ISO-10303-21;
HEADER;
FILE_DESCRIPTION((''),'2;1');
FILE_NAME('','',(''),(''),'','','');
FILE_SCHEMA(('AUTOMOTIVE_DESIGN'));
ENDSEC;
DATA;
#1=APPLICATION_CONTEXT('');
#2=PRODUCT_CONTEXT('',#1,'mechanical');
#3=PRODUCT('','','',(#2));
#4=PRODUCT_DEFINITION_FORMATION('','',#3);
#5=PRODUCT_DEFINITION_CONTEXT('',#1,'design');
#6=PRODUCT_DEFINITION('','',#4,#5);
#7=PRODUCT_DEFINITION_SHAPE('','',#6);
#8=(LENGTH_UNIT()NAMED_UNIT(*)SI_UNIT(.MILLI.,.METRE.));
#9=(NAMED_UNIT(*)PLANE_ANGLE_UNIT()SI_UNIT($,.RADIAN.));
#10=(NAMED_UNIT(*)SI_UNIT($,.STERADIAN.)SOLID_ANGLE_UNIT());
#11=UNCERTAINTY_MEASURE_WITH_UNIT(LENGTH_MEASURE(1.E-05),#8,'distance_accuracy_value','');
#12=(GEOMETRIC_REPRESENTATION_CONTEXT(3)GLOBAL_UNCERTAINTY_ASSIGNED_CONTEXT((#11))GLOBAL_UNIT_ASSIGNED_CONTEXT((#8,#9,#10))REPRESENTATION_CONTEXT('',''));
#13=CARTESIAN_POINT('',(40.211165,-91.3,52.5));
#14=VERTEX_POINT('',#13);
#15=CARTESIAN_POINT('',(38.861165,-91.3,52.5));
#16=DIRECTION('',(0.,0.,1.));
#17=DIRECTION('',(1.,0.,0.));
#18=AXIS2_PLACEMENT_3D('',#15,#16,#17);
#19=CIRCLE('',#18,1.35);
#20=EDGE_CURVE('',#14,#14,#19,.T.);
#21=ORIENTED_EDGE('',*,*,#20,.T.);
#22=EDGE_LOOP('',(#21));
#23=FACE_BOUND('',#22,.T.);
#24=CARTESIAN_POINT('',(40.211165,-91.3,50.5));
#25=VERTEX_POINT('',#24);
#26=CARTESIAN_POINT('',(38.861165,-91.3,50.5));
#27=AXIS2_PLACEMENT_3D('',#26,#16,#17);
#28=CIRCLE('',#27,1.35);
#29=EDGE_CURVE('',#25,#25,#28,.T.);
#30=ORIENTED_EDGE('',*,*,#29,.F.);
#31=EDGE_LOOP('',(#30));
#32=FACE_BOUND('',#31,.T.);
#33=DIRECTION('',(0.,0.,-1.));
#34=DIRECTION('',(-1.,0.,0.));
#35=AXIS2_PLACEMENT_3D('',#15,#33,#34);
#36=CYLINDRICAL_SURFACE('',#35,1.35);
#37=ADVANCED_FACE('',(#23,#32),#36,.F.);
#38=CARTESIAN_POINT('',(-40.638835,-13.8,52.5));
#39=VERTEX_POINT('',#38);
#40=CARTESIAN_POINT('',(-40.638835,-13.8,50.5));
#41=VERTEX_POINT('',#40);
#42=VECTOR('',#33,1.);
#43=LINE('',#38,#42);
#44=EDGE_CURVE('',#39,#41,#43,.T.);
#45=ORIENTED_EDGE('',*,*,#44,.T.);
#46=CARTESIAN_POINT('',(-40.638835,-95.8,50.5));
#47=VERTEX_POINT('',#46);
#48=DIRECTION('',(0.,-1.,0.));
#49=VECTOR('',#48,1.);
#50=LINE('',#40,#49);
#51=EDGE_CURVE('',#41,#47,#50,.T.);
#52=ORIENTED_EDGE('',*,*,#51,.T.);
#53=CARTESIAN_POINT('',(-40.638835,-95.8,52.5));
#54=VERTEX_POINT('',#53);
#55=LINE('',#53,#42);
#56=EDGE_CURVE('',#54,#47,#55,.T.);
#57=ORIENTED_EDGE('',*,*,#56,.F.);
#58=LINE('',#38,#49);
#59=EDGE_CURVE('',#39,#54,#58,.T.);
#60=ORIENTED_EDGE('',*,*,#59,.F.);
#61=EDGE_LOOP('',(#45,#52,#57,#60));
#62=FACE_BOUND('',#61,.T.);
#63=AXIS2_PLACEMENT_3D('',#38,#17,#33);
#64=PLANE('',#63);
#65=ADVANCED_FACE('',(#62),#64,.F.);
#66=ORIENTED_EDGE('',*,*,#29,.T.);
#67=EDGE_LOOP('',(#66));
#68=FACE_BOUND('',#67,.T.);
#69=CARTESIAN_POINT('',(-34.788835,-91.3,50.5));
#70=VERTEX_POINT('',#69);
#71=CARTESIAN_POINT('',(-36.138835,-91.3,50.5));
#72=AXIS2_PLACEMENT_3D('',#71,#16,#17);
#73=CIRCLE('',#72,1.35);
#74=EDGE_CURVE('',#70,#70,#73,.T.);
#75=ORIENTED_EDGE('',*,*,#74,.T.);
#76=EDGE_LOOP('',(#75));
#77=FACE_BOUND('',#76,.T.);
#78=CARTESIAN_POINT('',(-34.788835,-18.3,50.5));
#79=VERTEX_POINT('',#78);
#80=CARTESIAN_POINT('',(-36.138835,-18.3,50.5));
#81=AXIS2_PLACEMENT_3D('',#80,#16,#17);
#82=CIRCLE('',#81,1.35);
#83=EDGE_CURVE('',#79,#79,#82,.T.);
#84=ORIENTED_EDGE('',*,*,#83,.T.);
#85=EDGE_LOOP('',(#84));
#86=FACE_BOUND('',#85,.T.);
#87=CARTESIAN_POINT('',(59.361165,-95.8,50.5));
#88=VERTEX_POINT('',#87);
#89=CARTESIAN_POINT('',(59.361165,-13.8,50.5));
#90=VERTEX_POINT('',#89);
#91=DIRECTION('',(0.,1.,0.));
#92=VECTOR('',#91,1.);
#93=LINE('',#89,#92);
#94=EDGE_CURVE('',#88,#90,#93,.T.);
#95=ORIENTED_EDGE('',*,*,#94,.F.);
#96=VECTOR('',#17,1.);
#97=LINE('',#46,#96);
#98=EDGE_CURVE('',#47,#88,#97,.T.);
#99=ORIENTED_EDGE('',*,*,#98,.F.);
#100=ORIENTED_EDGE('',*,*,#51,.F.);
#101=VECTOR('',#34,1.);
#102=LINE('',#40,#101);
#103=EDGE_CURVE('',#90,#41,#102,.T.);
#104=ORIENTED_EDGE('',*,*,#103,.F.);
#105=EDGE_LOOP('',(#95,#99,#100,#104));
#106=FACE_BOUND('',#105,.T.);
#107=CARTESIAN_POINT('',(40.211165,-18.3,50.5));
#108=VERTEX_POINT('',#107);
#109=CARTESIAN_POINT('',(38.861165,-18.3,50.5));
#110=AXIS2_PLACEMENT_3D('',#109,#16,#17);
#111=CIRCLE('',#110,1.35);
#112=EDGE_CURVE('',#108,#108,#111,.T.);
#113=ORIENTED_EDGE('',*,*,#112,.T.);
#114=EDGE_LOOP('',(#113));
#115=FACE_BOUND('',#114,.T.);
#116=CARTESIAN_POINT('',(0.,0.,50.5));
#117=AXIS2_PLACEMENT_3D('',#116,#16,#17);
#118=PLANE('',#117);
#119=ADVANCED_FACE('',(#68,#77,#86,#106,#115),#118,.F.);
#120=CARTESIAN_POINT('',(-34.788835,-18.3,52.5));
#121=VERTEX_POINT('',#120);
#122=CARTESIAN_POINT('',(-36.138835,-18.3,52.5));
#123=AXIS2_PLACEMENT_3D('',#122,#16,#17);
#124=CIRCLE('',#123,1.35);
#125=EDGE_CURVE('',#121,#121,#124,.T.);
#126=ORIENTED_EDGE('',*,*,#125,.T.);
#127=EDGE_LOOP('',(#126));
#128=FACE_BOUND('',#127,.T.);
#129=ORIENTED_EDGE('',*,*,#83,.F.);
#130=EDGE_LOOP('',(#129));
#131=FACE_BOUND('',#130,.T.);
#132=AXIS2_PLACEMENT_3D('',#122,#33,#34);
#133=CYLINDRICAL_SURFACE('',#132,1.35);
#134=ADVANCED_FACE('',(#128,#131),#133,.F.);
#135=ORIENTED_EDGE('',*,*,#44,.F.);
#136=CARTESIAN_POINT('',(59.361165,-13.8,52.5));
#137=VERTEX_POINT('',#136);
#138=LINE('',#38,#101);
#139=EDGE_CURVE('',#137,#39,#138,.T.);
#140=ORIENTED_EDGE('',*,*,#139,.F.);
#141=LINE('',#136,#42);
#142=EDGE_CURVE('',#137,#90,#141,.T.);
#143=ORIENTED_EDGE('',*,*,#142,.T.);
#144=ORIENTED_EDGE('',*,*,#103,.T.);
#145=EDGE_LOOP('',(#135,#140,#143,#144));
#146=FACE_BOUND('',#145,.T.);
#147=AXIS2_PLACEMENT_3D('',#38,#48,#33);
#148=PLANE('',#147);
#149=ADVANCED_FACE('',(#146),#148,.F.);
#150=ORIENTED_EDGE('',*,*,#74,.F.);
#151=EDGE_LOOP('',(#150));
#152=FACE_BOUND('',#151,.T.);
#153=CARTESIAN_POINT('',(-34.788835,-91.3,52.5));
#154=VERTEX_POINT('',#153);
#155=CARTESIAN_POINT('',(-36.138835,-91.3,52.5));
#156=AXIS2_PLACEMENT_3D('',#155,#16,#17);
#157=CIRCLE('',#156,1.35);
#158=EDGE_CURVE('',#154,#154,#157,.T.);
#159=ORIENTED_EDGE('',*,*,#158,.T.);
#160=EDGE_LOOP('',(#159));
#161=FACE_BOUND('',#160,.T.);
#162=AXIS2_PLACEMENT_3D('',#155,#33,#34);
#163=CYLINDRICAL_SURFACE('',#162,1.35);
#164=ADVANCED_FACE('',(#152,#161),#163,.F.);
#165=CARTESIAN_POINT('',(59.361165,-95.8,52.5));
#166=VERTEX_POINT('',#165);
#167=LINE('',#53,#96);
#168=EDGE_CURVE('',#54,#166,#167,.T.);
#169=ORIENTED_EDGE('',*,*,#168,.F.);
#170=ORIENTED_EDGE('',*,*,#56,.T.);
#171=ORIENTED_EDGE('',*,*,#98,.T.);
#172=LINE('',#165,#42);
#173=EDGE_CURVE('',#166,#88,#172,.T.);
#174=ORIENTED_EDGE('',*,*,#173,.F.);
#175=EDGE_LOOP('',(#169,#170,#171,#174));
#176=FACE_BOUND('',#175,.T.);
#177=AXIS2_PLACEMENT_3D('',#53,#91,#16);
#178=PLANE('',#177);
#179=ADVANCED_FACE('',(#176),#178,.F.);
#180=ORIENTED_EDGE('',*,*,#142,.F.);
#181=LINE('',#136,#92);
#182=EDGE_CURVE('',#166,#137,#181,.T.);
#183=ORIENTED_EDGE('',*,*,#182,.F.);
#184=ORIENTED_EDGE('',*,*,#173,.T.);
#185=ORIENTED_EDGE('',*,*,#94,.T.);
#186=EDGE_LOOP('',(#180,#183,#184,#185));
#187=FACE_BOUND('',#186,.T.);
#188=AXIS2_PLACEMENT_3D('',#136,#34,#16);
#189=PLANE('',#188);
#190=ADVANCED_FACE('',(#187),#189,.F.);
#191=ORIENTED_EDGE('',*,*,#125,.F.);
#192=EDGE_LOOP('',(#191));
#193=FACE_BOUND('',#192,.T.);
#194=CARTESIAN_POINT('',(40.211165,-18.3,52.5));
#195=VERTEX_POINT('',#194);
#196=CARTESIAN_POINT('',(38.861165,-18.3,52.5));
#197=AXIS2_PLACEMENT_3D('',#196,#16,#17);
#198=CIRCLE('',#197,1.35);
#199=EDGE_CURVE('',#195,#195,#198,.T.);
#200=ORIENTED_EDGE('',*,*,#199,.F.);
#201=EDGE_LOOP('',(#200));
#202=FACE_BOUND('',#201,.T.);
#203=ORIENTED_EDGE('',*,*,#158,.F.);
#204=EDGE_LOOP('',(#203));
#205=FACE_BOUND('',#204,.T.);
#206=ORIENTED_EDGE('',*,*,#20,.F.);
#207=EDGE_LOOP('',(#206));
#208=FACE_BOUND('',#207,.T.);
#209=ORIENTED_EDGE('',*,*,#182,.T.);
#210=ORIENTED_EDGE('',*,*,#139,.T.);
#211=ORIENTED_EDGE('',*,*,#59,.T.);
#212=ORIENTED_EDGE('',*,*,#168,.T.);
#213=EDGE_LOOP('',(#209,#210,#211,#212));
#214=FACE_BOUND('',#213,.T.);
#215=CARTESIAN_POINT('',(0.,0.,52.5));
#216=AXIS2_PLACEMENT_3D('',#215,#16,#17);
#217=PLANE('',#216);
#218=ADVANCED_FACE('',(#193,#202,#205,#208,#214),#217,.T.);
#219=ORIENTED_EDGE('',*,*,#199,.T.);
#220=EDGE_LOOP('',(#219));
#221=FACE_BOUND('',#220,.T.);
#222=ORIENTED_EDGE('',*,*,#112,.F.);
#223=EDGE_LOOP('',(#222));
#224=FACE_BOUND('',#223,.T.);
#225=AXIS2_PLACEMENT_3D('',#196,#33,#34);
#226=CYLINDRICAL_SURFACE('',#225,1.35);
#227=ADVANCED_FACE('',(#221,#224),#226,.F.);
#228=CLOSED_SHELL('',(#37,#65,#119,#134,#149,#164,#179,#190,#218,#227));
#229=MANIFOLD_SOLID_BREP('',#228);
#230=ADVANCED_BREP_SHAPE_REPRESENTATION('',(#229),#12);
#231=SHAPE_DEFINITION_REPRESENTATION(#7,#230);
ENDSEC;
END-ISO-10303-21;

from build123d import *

# Parameters (mm, degrees)
ESQUISSE1_W        = 100
ESQUISSE1_H        = 82
ESQUISSE1_R        = 1.35
BOSS_EXTRU_1_DEPTH = 2


with BuildPart() as part:
    # Esquisse1 → Boss.-Extru.1 (new body)
    with BuildSketch(Plane.XY.offset(50.5)):
        with Locations((9.361165235, -54.8)):
            Rectangle(ESQUISSE1_W, ESQUISSE1_H)
        with Locations((-36.138834765, -91.3)):
            Circle(ESQUISSE1_R, mode=Mode.SUBTRACT)
        with Locations((-36.138834765, -18.3)):
            Circle(ESQUISSE1_R, mode=Mode.SUBTRACT)
        with Locations((38.861165235, -91.3)):
            Circle(ESQUISSE1_R, mode=Mode.SUBTRACT)
        with Locations((38.861165235, -18.3)):
            Circle(ESQUISSE1_R, mode=Mode.SUBTRACT)
    extrude(amount=BOSS_EXTRU_1_DEPTH)


solid = part.part
